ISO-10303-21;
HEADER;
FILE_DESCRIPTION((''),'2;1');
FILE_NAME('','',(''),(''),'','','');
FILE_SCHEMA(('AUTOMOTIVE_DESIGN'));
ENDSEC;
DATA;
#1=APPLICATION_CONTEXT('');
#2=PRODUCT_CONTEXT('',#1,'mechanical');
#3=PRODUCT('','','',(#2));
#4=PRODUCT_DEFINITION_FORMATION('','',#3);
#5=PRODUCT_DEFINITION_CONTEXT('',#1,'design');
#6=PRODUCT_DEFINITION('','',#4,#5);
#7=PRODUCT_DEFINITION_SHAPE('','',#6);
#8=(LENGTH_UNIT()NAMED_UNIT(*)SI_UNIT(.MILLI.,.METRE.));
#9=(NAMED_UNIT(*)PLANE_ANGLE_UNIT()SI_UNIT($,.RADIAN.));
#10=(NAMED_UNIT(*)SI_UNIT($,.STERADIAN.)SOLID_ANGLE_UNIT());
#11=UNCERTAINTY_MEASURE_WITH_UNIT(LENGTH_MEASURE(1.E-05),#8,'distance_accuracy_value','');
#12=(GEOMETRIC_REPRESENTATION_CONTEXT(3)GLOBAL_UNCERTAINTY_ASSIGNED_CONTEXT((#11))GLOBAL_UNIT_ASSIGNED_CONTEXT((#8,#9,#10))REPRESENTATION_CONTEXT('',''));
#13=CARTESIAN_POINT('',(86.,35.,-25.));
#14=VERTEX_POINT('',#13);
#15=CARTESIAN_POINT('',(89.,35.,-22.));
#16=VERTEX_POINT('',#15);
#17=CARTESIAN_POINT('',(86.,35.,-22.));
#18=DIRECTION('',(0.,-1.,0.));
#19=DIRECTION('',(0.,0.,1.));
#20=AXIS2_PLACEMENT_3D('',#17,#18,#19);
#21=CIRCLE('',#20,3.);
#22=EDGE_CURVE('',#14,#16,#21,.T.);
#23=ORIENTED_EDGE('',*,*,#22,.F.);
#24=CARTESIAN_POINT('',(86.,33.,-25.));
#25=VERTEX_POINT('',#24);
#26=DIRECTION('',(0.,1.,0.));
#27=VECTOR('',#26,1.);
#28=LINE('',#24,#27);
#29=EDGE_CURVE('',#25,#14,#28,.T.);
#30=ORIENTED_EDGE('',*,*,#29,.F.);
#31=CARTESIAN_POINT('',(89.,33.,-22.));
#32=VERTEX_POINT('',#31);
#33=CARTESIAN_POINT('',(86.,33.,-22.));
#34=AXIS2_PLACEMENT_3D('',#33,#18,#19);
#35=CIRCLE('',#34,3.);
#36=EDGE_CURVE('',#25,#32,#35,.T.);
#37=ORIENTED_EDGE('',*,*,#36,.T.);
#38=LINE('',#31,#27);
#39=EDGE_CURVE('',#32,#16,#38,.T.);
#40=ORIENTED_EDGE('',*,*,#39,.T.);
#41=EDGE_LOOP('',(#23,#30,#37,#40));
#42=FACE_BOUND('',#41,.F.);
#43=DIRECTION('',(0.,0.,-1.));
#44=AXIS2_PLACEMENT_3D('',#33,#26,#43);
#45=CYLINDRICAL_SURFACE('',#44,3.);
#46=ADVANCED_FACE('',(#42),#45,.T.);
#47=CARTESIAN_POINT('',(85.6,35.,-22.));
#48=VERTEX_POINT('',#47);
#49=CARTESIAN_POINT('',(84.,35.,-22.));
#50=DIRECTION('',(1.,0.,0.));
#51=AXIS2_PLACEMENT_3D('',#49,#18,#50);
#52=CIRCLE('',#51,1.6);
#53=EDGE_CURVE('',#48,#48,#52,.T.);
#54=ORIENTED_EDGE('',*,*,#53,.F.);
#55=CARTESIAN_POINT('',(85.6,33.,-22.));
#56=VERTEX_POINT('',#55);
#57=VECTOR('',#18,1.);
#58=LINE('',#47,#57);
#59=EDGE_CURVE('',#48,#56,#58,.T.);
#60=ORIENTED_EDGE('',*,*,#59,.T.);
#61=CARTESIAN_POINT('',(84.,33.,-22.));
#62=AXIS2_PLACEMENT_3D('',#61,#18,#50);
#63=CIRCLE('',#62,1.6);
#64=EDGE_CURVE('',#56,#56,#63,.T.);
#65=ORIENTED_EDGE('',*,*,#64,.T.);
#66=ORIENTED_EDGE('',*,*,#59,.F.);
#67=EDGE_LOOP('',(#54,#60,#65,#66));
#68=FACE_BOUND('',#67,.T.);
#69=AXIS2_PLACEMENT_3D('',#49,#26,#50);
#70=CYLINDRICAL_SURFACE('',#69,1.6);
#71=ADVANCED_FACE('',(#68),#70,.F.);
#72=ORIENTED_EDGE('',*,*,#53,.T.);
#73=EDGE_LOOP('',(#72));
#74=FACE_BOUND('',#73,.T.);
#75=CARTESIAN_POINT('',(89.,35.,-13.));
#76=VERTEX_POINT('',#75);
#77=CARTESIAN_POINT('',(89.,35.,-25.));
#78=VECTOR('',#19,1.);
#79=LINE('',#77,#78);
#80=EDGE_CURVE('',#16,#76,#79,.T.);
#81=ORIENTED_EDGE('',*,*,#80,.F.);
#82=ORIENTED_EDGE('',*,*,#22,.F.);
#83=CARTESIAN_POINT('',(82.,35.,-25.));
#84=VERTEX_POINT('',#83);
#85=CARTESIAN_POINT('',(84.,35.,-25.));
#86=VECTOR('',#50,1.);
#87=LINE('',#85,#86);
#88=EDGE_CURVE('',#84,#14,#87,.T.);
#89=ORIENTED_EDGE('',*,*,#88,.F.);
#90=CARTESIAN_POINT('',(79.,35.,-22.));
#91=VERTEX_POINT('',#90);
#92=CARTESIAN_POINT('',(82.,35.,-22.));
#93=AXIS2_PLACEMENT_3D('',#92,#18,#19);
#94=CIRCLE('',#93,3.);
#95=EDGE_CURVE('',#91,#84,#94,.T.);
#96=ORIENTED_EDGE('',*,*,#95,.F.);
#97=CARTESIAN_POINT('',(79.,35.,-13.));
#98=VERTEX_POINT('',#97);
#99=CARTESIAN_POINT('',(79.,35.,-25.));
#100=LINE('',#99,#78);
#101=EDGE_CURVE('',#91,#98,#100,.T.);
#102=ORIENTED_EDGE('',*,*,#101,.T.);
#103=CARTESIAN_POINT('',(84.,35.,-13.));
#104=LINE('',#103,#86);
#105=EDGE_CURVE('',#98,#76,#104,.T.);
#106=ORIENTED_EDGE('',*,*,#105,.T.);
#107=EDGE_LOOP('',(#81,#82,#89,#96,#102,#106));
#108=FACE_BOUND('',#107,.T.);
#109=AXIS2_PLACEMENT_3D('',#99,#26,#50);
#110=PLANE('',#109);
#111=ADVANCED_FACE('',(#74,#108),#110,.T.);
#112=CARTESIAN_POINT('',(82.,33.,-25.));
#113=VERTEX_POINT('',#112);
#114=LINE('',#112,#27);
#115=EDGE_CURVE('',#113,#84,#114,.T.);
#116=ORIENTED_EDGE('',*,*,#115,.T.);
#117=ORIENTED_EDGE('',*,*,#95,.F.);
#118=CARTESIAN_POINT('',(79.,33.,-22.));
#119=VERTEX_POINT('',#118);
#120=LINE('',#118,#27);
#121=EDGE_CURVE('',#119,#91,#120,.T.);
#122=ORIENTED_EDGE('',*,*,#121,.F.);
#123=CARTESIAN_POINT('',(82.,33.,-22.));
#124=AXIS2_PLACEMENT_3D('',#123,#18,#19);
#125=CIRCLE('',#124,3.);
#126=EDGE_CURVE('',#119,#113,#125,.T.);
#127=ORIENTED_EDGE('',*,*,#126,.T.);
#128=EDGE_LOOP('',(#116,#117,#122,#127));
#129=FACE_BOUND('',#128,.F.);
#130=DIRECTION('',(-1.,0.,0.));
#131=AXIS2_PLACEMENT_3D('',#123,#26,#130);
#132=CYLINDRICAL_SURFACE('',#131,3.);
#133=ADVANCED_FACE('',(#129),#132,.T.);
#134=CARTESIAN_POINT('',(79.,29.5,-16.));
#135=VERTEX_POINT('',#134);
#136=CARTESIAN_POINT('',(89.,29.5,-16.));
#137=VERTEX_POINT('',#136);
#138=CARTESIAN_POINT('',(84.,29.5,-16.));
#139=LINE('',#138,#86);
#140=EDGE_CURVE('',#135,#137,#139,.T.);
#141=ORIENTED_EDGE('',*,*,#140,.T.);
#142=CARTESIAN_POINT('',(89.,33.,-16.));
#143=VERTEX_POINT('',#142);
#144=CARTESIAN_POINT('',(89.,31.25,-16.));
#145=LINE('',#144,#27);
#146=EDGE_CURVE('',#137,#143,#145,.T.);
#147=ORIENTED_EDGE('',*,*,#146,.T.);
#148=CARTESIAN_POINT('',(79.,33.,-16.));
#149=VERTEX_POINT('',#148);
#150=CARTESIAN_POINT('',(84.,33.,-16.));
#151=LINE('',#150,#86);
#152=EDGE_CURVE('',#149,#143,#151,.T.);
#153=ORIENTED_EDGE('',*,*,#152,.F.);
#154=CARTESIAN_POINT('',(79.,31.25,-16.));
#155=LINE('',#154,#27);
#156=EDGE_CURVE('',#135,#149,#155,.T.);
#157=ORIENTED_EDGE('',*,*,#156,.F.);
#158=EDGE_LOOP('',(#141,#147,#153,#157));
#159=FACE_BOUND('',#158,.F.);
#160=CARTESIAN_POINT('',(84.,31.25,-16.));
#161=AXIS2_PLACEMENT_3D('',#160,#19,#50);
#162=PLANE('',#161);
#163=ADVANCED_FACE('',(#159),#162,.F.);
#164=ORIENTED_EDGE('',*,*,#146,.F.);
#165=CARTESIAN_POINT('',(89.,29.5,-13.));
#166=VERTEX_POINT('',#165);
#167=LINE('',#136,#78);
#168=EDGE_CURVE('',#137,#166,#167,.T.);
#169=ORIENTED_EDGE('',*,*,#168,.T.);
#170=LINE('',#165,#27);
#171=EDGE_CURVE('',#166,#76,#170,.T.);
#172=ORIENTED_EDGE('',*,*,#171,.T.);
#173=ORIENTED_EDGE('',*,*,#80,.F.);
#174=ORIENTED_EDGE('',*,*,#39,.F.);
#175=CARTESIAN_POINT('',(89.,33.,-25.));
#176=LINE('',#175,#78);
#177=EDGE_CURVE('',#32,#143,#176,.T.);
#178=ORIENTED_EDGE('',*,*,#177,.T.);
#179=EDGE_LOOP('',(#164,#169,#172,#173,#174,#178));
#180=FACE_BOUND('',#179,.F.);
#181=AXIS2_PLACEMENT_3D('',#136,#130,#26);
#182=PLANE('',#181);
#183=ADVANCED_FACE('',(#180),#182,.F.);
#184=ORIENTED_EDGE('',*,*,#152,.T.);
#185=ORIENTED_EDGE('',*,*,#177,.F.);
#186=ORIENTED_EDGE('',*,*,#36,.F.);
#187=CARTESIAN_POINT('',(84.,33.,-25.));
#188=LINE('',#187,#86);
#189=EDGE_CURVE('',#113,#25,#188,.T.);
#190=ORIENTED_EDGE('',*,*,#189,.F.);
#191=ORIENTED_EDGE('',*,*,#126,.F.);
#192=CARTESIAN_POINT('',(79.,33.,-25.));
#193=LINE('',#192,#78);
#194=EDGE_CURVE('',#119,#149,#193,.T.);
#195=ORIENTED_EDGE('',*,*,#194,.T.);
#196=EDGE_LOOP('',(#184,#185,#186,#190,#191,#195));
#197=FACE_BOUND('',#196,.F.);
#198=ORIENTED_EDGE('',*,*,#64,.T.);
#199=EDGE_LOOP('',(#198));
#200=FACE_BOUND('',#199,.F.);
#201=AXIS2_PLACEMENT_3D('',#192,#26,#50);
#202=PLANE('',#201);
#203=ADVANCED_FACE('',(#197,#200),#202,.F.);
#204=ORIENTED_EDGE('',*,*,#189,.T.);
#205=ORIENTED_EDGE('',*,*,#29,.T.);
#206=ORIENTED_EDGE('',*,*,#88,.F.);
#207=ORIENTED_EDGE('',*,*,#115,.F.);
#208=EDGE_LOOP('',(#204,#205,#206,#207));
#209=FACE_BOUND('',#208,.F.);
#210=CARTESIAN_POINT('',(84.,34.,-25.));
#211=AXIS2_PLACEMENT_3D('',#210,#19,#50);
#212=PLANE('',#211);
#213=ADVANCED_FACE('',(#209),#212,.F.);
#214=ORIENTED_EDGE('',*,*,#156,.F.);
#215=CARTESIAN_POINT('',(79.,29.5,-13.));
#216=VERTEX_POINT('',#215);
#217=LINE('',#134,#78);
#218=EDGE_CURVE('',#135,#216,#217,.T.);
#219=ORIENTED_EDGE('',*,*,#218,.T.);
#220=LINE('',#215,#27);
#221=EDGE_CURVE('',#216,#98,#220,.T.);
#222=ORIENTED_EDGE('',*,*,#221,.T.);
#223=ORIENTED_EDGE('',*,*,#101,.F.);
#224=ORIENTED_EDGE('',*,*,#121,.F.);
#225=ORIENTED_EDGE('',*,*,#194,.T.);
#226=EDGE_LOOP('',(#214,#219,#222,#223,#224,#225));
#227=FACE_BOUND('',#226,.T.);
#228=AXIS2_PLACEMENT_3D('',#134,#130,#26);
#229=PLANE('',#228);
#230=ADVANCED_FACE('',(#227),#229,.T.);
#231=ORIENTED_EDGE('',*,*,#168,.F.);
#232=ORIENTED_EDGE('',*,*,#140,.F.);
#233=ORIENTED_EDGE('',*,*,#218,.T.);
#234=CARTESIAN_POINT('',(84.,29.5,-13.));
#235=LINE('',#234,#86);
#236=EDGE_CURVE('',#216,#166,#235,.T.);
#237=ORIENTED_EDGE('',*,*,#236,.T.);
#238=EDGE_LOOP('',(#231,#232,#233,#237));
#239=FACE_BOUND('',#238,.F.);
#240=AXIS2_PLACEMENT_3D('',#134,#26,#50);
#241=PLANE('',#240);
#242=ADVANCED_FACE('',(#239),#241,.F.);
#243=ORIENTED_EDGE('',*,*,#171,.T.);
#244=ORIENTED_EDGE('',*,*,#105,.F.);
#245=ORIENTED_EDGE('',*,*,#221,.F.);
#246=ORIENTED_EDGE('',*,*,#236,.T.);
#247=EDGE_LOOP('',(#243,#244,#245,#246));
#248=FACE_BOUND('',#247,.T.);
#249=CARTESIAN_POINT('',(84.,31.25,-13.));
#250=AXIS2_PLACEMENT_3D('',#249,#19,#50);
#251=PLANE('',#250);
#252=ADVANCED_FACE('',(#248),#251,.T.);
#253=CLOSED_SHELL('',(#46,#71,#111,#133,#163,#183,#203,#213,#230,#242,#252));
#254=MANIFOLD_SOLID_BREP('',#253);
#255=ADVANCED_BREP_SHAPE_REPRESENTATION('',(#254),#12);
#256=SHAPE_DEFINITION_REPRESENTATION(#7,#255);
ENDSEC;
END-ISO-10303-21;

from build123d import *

# Parameters (mm, degrees)
BOX183_W          = 10
BOX183_H          = 3.5
BOX183_DEPTH      = 3
CYLINDER072_R     = 1.6
CYLINDER072_DEPTH = 2
BOX181_W          = 10
BOX181_H          = 2
BOX181_DEPTH      = 12
FILLET040_R       = 3


with BuildPart() as cube172:
    # Box183 → Box183 (new body)
    with BuildSketch(Plane(origin=(79, 29.5, -16), x_dir=(1, 0, 0), z_dir=(0, 0, 1))):
        with Locations((5, 1.75)):
            Rectangle(BOX183_W, BOX183_H)
    extrude(amount=BOX183_DEPTH)


with BuildPart() as cylinder153:
    # Cylinder072 → Cylinder072 (new body)
    with BuildSketch(Plane(origin=(84, 35, -22), x_dir=(1, 0, 0), z_dir=(0, -1, 0))):
        Circle(CYLINDER072_R)
    extrude(amount=CYLINDER072_DEPTH)


with BuildPart() as fusion056:
    # Box181 → Box181 (new body)
    with BuildSketch(Plane(origin=(79, 33, -25), x_dir=(1, 0, 0), z_dir=(0, 0, 1))):
        with Locations((5, 1)):
            Rectangle(BOX181_W, BOX181_H)
    extrude(amount=BOX181_DEPTH)

    # Cut095: cut Cylinder153
    add(cylinder153.part, mode=Mode.SUBTRACT)

    # Fillet040
    fillet040_edges = [fusion056.edges().sort_by_distance(p)[0] for p in [
        (79, 34, -25),
        (89, 34, -25),
    ]]
    fillet(fillet040_edges, radius=FILLET040_R)

    # Fusion056: union Cube172
    add(cube172.part)


solid = fusion056.part
